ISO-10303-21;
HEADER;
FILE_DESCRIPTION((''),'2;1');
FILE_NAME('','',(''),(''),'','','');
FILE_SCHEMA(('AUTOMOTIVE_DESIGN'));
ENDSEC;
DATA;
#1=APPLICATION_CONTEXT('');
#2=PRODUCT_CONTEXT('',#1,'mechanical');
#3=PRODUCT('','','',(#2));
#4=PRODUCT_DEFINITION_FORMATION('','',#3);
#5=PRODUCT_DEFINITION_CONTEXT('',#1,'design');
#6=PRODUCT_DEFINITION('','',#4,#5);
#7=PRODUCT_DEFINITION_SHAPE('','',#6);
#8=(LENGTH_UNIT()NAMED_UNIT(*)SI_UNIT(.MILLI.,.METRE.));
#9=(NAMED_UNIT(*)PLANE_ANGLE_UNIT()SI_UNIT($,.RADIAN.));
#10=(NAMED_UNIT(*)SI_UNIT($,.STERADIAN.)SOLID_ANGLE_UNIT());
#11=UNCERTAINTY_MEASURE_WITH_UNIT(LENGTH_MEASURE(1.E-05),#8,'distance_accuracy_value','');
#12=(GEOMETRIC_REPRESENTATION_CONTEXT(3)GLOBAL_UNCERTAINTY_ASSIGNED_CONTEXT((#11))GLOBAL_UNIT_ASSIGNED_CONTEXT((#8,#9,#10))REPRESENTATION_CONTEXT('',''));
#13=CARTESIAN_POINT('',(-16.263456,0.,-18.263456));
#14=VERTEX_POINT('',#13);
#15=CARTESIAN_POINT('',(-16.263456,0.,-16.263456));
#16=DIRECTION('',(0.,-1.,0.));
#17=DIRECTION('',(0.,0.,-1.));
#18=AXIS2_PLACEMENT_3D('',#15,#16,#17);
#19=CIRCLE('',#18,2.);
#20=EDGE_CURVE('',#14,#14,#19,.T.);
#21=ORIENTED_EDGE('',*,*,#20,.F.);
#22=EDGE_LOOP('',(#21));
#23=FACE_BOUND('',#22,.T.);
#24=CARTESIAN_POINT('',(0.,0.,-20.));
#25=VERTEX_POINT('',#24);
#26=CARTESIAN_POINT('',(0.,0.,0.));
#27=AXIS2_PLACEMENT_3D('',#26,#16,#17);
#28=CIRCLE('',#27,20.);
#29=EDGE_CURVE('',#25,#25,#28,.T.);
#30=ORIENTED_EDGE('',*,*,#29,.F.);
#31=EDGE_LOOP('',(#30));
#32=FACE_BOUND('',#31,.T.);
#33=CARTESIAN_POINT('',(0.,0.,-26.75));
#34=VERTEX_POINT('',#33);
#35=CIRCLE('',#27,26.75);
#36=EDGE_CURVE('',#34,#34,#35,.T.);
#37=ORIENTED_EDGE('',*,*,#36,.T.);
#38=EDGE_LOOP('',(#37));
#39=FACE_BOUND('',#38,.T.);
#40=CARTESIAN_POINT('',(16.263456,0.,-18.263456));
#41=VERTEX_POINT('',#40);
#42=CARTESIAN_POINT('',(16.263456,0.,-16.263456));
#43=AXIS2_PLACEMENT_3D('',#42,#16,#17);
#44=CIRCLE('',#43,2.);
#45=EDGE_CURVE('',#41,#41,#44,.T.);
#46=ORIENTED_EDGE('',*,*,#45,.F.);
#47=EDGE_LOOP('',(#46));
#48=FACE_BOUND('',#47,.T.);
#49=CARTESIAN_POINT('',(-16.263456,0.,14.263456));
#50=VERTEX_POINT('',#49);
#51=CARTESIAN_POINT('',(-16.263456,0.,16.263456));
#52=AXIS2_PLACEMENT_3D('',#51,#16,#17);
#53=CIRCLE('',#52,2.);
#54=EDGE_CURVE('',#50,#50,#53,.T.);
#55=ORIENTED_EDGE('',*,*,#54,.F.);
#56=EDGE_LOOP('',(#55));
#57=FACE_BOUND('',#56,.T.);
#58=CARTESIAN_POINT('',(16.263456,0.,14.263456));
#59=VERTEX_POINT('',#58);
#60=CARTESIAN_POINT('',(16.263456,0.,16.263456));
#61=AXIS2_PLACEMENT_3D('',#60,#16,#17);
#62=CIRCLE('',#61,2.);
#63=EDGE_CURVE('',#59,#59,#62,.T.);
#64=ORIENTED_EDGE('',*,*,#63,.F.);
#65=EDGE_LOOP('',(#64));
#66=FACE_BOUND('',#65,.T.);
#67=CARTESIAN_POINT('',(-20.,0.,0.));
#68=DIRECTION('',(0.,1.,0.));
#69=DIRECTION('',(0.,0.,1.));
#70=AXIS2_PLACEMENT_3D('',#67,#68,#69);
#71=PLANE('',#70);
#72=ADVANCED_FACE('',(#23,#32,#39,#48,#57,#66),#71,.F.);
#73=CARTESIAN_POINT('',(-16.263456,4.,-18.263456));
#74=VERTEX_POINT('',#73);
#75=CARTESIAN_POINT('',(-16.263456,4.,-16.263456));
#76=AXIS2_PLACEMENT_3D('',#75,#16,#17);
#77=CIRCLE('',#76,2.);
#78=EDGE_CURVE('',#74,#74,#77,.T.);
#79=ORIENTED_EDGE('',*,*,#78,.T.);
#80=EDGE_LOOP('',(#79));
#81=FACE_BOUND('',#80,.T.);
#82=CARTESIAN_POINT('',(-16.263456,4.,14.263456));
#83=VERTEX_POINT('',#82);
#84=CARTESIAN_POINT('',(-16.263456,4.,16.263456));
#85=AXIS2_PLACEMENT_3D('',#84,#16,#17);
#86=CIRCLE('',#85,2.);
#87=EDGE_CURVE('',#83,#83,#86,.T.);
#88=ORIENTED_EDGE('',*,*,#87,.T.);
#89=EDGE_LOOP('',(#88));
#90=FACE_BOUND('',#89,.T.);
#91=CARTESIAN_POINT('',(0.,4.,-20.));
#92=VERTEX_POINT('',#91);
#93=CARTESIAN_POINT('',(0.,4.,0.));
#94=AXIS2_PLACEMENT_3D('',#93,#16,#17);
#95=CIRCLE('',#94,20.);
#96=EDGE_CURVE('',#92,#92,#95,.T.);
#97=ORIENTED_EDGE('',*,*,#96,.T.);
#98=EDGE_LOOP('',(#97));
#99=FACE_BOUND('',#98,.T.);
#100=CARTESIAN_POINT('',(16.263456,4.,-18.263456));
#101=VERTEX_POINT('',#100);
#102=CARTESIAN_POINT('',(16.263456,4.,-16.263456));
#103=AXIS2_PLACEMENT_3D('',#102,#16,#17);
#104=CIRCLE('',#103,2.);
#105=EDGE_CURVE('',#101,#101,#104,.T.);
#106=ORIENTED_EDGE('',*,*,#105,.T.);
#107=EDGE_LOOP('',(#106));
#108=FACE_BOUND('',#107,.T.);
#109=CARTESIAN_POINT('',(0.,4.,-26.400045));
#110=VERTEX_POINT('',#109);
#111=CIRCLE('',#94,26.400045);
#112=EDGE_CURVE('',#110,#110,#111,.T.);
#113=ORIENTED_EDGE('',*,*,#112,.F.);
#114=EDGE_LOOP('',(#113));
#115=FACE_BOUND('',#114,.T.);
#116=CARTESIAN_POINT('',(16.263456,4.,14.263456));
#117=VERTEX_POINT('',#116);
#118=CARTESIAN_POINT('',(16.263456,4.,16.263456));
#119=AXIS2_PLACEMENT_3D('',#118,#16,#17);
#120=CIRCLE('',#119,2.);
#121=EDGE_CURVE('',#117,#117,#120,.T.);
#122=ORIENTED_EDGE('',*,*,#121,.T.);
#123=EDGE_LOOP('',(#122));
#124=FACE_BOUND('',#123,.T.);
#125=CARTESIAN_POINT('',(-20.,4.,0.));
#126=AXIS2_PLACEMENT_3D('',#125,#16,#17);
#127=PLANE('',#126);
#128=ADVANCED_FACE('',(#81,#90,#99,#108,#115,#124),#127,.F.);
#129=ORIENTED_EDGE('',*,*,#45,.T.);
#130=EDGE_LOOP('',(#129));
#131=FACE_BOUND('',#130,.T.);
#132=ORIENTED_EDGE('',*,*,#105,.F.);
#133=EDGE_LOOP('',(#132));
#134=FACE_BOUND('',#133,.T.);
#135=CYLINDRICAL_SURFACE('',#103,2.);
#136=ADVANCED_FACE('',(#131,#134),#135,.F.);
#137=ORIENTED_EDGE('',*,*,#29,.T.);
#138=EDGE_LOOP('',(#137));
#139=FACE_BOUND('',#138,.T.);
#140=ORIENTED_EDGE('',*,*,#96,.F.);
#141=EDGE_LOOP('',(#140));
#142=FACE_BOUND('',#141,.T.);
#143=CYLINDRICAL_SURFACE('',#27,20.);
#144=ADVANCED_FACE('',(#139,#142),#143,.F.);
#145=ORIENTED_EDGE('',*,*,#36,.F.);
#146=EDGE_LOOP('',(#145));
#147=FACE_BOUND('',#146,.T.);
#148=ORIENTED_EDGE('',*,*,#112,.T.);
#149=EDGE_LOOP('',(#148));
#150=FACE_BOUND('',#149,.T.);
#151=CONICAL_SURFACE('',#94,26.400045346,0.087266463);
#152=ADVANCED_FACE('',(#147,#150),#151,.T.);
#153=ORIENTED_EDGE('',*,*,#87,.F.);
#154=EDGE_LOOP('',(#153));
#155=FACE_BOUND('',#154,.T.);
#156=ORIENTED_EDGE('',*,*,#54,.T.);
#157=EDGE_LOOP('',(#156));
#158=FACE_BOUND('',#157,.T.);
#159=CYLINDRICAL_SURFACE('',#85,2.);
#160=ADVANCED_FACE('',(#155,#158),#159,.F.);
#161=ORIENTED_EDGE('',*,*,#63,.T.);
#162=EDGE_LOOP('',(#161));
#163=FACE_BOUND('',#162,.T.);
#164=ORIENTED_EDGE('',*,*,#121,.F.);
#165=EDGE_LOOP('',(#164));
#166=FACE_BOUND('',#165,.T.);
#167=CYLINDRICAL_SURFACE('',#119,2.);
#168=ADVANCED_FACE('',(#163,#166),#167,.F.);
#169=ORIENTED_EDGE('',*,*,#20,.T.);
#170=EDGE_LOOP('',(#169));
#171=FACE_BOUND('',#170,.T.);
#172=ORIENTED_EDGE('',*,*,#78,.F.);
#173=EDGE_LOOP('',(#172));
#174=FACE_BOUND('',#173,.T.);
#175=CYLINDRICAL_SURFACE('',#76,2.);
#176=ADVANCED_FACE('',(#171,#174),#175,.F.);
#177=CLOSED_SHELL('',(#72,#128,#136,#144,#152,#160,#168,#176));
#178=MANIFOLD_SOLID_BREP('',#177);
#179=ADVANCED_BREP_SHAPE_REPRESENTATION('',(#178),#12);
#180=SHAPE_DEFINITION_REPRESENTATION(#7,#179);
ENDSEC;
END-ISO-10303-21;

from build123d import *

# Parameters (mm, degrees)
SKETCH3_R          = 2
CUT_EXTRUDE1_DEPTH = 5


with BuildPart() as part:
    # Sketch1 → Revolve1 (revolve)
    with BuildSketch(Plane.XY):
        Polygon((-26.75, 0), (-26.400045346, 4), (-20, 4), (-20, 0), align=None)
    revolve(axis=Axis((0, 0, 0), (0, 1, 0)))

    # Sketch3 → Cut-Extrude1 (cut, through all)
    with BuildSketch(Plane.XZ):
        with Locations((-16.263455967, 16.263455967)):
            Circle(SKETCH3_R)
        with Locations((16.263455967, 16.263455967)):
            Circle(SKETCH3_R)
        with Locations((-16.263455967, -16.263455967)):
            Circle(SKETCH3_R)
        with Locations((16.263455967, -16.263455967)):
            Circle(SKETCH3_R)
    extrude(amount=-CUT_EXTRUDE1_DEPTH, mode=Mode.SUBTRACT)


solid = part.part
